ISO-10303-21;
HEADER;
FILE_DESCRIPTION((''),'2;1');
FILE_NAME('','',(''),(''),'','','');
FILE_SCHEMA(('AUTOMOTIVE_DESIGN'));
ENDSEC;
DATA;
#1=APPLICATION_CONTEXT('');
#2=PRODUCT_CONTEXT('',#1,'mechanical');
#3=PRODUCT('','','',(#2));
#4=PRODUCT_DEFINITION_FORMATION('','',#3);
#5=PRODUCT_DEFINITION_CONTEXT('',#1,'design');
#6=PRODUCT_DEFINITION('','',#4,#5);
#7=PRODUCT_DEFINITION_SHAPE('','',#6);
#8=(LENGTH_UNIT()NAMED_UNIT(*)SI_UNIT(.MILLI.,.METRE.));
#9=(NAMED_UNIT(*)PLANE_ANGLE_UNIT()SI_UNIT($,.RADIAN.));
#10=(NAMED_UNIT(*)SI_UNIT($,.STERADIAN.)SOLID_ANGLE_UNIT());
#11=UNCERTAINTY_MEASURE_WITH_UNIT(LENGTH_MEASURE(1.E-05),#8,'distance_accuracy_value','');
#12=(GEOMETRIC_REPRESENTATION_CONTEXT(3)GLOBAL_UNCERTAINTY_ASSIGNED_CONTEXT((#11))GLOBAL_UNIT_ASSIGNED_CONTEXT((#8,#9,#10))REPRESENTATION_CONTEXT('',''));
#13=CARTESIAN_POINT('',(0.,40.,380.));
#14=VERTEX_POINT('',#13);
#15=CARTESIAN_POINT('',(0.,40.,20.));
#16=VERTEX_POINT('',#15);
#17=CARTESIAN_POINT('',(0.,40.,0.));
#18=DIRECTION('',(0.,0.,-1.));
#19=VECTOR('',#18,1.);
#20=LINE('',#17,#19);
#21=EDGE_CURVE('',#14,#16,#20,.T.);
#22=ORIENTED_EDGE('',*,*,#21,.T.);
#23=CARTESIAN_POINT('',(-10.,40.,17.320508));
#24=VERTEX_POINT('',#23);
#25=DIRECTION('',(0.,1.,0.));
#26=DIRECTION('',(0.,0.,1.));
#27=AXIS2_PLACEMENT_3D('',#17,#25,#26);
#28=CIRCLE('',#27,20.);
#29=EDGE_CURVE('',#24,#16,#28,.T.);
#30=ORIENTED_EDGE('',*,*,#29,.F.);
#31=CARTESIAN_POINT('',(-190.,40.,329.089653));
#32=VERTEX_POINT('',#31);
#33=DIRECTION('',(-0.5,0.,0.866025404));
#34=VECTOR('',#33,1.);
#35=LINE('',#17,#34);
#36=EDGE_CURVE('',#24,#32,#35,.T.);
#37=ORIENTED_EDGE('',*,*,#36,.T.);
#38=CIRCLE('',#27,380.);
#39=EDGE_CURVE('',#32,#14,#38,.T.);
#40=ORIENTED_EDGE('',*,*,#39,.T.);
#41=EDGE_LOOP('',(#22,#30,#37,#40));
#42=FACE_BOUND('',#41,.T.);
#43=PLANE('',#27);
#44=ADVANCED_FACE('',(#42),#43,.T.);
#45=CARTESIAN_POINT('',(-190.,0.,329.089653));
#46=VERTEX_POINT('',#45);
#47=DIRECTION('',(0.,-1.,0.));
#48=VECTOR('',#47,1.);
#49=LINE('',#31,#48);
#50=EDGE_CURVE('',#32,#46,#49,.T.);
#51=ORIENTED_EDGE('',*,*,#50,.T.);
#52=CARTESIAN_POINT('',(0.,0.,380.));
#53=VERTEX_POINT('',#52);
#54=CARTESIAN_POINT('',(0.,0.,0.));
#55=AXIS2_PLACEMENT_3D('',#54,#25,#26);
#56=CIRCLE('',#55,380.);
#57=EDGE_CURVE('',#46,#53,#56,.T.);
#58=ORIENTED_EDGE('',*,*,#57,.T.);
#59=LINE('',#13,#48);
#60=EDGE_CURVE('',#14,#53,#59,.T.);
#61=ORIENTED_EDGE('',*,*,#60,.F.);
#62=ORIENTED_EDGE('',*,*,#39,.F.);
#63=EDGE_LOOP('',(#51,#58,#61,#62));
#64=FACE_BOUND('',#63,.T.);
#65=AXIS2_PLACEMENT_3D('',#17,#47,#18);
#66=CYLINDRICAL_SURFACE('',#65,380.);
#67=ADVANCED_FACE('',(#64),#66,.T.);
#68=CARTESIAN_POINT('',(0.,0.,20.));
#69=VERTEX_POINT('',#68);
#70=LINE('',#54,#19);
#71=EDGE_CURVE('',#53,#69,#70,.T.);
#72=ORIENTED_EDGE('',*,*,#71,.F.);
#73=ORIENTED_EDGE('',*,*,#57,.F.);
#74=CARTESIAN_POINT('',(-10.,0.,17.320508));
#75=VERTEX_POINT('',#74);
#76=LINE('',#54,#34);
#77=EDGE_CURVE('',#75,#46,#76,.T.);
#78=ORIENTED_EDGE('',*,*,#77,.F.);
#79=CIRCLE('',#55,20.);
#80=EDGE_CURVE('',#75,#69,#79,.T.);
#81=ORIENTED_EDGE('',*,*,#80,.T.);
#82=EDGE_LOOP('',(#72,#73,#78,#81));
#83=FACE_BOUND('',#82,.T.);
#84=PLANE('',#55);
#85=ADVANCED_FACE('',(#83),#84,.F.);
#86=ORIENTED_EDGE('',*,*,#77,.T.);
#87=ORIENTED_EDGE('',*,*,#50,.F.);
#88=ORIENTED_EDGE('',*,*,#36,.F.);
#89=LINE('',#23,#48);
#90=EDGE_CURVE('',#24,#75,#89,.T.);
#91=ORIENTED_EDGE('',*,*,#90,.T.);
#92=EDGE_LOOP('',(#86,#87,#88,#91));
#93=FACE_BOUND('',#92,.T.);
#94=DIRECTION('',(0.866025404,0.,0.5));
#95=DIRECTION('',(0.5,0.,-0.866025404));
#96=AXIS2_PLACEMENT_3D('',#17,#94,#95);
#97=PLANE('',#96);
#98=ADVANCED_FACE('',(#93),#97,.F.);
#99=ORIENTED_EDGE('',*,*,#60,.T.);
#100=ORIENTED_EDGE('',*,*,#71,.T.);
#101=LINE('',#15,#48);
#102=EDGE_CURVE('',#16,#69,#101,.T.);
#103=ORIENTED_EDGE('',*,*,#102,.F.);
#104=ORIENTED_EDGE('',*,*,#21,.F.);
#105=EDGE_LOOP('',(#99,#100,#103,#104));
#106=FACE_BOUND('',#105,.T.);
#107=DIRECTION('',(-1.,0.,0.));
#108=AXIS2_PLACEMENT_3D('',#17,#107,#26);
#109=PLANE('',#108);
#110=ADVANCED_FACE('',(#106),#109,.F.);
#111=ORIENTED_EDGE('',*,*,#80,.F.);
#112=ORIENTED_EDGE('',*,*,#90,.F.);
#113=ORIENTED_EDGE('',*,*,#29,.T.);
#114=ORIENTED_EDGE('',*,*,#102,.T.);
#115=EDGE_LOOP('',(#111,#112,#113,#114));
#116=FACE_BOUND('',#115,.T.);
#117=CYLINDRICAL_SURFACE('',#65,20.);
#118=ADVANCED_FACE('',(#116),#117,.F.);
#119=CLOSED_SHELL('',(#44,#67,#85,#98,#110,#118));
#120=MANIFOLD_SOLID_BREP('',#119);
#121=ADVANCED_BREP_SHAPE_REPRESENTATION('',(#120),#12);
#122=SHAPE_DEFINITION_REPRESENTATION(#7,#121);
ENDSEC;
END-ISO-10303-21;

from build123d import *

# Parameters (mm, degrees)
BOSS_EXTRUDE1_DEPTH = 40


with BuildPart() as part:
    # Sketch1 → Boss-Extrude1 (new body)
    with BuildSketch(Plane(origin=(0, 0, 0), x_dir=(1, 0, 0), z_dir=(0, 1, 0))):
        with BuildLine():
            ThreePointArc((0, -20), (-5.176380902, -19.318516526), (-10, -17.320508076))
            Line((-10, -17.320508076), (-190, -329.089653438))
            ThreePointArc((-190, -329.089653438), (-98.351237139, -367.05181399), (0, -380))
            Line((0, -380), (0, -20))
        make_face()
    extrude(amount=BOSS_EXTRUDE1_DEPTH)


solid = part.part
